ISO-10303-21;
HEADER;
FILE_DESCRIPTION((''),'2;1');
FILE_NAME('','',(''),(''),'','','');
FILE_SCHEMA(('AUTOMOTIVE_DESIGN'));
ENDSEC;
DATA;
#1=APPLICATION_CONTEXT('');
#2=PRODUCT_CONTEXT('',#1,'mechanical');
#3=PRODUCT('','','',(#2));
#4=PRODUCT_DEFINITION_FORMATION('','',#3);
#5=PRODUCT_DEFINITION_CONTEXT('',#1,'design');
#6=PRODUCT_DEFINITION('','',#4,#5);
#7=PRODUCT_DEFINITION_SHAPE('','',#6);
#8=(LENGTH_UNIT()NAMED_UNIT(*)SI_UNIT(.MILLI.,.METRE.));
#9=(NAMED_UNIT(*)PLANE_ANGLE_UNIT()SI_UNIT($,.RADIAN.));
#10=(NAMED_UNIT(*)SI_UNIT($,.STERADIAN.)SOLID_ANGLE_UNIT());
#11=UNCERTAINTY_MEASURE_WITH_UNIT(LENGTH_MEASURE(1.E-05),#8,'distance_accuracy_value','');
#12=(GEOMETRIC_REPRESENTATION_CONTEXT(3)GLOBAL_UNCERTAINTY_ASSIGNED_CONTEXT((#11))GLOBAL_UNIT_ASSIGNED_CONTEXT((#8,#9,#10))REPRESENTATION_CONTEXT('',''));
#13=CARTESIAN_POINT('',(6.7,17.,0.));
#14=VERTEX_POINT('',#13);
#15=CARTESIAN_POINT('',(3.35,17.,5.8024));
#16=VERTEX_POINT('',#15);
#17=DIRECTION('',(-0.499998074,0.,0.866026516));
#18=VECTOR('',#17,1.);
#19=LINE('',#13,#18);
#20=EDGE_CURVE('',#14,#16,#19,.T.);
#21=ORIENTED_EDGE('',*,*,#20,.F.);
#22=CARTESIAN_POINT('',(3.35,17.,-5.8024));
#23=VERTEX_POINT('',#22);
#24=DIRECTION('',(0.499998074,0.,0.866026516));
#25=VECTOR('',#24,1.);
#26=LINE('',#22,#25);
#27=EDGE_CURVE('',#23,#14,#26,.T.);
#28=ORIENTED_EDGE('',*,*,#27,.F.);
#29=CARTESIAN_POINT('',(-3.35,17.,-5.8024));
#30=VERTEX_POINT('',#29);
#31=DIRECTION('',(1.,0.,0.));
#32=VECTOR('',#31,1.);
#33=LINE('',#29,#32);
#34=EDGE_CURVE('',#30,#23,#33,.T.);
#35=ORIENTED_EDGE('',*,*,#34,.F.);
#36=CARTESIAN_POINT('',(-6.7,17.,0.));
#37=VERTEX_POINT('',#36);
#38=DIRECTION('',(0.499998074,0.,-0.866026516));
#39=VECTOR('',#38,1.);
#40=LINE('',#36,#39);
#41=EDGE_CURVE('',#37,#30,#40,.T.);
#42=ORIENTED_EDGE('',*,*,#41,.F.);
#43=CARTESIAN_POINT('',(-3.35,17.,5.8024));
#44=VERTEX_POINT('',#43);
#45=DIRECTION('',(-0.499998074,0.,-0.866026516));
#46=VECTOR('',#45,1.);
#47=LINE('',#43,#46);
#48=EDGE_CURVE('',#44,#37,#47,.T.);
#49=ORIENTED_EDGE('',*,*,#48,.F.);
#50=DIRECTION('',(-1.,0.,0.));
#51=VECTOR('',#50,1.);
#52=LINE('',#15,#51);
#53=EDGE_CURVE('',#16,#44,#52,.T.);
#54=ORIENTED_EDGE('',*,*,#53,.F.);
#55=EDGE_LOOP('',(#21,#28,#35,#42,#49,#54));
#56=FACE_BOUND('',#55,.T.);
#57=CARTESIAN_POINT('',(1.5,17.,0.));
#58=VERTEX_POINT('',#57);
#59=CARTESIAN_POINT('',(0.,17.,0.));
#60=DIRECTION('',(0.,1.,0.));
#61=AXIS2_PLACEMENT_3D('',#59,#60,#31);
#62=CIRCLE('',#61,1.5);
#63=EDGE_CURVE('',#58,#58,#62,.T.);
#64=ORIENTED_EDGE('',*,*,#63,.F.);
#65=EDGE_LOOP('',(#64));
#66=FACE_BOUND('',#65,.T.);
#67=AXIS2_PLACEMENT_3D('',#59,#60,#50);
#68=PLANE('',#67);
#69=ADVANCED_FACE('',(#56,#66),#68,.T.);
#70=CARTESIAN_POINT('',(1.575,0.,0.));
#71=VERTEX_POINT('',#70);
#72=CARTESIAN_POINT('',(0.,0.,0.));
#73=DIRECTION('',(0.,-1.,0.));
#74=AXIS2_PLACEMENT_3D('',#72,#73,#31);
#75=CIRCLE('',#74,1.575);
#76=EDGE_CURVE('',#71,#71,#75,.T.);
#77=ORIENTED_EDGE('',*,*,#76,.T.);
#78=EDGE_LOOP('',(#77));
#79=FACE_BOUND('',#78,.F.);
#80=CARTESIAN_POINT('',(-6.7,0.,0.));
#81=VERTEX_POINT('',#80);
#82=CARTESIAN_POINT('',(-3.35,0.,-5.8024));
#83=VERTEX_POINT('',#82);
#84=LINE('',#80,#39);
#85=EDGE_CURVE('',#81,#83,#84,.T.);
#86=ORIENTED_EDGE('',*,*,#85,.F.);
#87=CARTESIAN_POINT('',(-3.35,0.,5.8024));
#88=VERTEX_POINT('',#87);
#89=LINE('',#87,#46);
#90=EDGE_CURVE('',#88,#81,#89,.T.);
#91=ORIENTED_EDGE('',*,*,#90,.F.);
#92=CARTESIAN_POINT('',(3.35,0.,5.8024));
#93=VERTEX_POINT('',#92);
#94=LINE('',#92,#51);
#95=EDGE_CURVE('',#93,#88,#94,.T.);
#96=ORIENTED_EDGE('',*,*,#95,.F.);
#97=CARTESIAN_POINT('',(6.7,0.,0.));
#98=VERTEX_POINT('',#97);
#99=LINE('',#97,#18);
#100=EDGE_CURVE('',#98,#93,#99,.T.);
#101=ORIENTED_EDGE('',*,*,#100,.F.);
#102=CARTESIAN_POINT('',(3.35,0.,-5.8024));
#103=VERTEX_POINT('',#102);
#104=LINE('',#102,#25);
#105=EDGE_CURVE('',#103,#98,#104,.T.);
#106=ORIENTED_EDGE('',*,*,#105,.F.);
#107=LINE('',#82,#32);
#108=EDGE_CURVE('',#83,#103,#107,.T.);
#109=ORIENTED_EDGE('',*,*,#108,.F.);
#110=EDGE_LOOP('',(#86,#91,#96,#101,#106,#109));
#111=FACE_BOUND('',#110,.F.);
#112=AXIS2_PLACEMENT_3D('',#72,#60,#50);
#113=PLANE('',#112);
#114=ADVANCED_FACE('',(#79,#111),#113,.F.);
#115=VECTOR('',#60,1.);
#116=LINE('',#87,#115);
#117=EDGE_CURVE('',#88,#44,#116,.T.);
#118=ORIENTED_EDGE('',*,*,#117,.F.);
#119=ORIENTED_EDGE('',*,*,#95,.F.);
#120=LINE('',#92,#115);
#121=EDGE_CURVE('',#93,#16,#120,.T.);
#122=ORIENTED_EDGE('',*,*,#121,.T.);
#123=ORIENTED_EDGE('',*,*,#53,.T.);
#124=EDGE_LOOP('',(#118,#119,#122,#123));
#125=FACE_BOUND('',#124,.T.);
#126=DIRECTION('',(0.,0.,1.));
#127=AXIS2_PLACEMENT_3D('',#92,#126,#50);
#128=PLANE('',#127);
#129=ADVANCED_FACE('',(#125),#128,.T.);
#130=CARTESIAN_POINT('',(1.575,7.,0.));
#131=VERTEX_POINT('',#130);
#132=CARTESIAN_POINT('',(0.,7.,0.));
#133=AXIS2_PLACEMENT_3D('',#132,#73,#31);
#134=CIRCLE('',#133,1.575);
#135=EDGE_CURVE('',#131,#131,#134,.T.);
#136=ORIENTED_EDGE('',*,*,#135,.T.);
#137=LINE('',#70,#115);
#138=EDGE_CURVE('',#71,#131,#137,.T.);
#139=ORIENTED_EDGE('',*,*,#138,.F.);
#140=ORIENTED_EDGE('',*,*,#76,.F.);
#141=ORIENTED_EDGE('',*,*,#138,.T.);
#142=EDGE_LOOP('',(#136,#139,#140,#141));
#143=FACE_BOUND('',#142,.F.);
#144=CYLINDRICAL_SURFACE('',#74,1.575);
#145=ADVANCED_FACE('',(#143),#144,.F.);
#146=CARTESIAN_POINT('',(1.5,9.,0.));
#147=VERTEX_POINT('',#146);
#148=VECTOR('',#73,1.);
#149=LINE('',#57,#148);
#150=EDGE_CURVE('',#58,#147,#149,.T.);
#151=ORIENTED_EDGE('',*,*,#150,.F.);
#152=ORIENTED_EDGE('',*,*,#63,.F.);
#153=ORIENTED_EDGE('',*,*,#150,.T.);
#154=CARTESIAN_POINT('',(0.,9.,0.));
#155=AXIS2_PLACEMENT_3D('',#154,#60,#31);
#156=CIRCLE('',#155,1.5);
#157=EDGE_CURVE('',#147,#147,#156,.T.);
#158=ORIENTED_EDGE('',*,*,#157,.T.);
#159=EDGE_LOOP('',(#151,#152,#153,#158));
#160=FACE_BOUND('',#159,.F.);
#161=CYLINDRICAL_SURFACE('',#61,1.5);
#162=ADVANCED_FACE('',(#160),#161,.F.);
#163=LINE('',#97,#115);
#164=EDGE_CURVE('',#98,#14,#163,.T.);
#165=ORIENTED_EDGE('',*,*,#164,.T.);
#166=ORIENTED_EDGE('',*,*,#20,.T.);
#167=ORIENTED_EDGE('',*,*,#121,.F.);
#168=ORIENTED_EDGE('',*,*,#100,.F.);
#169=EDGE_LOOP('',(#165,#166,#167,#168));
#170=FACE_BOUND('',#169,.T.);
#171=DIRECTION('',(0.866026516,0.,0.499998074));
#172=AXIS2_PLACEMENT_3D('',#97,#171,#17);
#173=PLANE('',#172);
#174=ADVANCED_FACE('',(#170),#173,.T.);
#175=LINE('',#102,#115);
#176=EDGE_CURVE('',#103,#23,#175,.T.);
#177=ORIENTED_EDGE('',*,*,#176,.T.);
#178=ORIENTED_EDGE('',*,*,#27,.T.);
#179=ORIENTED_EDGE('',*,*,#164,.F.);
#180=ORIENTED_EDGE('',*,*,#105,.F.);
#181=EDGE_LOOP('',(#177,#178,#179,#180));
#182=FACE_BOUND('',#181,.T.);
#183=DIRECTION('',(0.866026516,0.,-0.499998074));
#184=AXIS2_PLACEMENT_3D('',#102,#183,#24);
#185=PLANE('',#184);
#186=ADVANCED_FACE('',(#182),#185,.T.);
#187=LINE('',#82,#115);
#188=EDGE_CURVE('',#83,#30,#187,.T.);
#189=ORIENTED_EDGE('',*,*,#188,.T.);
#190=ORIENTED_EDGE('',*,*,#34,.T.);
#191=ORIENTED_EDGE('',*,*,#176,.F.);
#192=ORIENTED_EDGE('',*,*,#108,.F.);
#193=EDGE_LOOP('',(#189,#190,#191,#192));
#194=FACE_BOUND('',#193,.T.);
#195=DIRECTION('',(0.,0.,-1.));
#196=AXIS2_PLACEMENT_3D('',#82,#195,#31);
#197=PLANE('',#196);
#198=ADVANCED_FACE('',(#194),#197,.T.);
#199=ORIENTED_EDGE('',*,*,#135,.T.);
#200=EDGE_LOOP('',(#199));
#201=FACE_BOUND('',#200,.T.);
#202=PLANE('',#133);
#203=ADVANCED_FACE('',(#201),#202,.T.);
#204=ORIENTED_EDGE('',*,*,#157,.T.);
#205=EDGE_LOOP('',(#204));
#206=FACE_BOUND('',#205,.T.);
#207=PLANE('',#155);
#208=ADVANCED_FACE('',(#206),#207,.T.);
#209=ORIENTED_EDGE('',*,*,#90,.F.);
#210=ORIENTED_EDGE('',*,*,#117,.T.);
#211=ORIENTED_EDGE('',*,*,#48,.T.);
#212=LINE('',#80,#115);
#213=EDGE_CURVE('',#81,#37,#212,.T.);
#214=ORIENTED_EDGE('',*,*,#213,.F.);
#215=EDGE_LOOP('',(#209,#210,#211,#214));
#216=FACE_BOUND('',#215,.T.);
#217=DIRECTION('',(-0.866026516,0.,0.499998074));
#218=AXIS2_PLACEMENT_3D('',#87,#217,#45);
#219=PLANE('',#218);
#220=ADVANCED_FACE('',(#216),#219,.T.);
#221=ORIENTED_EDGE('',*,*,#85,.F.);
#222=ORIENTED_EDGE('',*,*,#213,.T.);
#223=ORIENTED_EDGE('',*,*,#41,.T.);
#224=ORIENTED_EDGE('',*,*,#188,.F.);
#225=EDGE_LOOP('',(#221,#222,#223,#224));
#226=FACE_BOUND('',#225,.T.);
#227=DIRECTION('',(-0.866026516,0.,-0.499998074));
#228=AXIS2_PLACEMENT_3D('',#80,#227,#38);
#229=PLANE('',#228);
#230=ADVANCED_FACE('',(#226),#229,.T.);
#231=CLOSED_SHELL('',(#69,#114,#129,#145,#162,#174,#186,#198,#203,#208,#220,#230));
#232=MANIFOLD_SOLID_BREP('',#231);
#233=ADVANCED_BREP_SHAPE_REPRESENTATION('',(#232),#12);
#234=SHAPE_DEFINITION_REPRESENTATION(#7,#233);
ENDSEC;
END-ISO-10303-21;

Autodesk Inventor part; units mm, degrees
ref_plane "YZ Plane" through (0, 0, 0) normal (1, 0, 0) x (0, 1, 0)
ref_plane "XZ Plane" through (0, 0, 0) normal (0, 1, 0) x (-1, 0, 0)
ref_plane "XY Plane" through (0, 0, 0) normal (0, 0, 1) x (1, 0, 0)
sketch "Sketch1" plane through (0, 0, 0) normal (0, 1, 0) x (-1, 0, 0)
  line L0 (6.7, 0) -> (3.35, -5.8024)
  line L1 (3.35, -5.8024) -> (-3.35, -5.8024)
  line L2 (-3.35, -5.8024) -> (-6.7, 0)
  line L3 (-6.7, 0) -> (-3.35, 5.8024)
  line L4 (-3.35, 5.8024) -> (3.35, 5.8024)
  line L5 (3.35, 5.8024) -> (6.7, 0)
  point P0 (0, 0)
  dimension "d1" = 6.7
extrude "Extrusion1" add sketch "Sketch1" along normal blind 17
sketch "Sketch2" plane through (0, 17, 0) normal (0, 1, 0) x (1, 0, 0)
  circle A0 centre (0, 0) radius 1.25
  dimension "d4" = 2.5
extrude "Extrusion2" cut sketch "Sketch2" against normal blind 8
sketch "Sketch3" plane through (0, 17, 0) normal (0, 1, 0) x (1, 0, 0)
  circle A0 centre (0, 0) radius 1.5
  dimension "d10" = 3
extrude "Extrusion3" cut sketch "Sketch3" against normal blind 8
sketch "Sketch4" plane through (0, 0, 0) normal (0, -1, 0) x (1, 0, 0)
  circle A0 centre (0, 0) radius 1.575
  dimension "d14" = 3.15
extrude "Extrusion4" cut sketch "Sketch4" against normal blind 7
properties part number "BruteForceCoupler"
